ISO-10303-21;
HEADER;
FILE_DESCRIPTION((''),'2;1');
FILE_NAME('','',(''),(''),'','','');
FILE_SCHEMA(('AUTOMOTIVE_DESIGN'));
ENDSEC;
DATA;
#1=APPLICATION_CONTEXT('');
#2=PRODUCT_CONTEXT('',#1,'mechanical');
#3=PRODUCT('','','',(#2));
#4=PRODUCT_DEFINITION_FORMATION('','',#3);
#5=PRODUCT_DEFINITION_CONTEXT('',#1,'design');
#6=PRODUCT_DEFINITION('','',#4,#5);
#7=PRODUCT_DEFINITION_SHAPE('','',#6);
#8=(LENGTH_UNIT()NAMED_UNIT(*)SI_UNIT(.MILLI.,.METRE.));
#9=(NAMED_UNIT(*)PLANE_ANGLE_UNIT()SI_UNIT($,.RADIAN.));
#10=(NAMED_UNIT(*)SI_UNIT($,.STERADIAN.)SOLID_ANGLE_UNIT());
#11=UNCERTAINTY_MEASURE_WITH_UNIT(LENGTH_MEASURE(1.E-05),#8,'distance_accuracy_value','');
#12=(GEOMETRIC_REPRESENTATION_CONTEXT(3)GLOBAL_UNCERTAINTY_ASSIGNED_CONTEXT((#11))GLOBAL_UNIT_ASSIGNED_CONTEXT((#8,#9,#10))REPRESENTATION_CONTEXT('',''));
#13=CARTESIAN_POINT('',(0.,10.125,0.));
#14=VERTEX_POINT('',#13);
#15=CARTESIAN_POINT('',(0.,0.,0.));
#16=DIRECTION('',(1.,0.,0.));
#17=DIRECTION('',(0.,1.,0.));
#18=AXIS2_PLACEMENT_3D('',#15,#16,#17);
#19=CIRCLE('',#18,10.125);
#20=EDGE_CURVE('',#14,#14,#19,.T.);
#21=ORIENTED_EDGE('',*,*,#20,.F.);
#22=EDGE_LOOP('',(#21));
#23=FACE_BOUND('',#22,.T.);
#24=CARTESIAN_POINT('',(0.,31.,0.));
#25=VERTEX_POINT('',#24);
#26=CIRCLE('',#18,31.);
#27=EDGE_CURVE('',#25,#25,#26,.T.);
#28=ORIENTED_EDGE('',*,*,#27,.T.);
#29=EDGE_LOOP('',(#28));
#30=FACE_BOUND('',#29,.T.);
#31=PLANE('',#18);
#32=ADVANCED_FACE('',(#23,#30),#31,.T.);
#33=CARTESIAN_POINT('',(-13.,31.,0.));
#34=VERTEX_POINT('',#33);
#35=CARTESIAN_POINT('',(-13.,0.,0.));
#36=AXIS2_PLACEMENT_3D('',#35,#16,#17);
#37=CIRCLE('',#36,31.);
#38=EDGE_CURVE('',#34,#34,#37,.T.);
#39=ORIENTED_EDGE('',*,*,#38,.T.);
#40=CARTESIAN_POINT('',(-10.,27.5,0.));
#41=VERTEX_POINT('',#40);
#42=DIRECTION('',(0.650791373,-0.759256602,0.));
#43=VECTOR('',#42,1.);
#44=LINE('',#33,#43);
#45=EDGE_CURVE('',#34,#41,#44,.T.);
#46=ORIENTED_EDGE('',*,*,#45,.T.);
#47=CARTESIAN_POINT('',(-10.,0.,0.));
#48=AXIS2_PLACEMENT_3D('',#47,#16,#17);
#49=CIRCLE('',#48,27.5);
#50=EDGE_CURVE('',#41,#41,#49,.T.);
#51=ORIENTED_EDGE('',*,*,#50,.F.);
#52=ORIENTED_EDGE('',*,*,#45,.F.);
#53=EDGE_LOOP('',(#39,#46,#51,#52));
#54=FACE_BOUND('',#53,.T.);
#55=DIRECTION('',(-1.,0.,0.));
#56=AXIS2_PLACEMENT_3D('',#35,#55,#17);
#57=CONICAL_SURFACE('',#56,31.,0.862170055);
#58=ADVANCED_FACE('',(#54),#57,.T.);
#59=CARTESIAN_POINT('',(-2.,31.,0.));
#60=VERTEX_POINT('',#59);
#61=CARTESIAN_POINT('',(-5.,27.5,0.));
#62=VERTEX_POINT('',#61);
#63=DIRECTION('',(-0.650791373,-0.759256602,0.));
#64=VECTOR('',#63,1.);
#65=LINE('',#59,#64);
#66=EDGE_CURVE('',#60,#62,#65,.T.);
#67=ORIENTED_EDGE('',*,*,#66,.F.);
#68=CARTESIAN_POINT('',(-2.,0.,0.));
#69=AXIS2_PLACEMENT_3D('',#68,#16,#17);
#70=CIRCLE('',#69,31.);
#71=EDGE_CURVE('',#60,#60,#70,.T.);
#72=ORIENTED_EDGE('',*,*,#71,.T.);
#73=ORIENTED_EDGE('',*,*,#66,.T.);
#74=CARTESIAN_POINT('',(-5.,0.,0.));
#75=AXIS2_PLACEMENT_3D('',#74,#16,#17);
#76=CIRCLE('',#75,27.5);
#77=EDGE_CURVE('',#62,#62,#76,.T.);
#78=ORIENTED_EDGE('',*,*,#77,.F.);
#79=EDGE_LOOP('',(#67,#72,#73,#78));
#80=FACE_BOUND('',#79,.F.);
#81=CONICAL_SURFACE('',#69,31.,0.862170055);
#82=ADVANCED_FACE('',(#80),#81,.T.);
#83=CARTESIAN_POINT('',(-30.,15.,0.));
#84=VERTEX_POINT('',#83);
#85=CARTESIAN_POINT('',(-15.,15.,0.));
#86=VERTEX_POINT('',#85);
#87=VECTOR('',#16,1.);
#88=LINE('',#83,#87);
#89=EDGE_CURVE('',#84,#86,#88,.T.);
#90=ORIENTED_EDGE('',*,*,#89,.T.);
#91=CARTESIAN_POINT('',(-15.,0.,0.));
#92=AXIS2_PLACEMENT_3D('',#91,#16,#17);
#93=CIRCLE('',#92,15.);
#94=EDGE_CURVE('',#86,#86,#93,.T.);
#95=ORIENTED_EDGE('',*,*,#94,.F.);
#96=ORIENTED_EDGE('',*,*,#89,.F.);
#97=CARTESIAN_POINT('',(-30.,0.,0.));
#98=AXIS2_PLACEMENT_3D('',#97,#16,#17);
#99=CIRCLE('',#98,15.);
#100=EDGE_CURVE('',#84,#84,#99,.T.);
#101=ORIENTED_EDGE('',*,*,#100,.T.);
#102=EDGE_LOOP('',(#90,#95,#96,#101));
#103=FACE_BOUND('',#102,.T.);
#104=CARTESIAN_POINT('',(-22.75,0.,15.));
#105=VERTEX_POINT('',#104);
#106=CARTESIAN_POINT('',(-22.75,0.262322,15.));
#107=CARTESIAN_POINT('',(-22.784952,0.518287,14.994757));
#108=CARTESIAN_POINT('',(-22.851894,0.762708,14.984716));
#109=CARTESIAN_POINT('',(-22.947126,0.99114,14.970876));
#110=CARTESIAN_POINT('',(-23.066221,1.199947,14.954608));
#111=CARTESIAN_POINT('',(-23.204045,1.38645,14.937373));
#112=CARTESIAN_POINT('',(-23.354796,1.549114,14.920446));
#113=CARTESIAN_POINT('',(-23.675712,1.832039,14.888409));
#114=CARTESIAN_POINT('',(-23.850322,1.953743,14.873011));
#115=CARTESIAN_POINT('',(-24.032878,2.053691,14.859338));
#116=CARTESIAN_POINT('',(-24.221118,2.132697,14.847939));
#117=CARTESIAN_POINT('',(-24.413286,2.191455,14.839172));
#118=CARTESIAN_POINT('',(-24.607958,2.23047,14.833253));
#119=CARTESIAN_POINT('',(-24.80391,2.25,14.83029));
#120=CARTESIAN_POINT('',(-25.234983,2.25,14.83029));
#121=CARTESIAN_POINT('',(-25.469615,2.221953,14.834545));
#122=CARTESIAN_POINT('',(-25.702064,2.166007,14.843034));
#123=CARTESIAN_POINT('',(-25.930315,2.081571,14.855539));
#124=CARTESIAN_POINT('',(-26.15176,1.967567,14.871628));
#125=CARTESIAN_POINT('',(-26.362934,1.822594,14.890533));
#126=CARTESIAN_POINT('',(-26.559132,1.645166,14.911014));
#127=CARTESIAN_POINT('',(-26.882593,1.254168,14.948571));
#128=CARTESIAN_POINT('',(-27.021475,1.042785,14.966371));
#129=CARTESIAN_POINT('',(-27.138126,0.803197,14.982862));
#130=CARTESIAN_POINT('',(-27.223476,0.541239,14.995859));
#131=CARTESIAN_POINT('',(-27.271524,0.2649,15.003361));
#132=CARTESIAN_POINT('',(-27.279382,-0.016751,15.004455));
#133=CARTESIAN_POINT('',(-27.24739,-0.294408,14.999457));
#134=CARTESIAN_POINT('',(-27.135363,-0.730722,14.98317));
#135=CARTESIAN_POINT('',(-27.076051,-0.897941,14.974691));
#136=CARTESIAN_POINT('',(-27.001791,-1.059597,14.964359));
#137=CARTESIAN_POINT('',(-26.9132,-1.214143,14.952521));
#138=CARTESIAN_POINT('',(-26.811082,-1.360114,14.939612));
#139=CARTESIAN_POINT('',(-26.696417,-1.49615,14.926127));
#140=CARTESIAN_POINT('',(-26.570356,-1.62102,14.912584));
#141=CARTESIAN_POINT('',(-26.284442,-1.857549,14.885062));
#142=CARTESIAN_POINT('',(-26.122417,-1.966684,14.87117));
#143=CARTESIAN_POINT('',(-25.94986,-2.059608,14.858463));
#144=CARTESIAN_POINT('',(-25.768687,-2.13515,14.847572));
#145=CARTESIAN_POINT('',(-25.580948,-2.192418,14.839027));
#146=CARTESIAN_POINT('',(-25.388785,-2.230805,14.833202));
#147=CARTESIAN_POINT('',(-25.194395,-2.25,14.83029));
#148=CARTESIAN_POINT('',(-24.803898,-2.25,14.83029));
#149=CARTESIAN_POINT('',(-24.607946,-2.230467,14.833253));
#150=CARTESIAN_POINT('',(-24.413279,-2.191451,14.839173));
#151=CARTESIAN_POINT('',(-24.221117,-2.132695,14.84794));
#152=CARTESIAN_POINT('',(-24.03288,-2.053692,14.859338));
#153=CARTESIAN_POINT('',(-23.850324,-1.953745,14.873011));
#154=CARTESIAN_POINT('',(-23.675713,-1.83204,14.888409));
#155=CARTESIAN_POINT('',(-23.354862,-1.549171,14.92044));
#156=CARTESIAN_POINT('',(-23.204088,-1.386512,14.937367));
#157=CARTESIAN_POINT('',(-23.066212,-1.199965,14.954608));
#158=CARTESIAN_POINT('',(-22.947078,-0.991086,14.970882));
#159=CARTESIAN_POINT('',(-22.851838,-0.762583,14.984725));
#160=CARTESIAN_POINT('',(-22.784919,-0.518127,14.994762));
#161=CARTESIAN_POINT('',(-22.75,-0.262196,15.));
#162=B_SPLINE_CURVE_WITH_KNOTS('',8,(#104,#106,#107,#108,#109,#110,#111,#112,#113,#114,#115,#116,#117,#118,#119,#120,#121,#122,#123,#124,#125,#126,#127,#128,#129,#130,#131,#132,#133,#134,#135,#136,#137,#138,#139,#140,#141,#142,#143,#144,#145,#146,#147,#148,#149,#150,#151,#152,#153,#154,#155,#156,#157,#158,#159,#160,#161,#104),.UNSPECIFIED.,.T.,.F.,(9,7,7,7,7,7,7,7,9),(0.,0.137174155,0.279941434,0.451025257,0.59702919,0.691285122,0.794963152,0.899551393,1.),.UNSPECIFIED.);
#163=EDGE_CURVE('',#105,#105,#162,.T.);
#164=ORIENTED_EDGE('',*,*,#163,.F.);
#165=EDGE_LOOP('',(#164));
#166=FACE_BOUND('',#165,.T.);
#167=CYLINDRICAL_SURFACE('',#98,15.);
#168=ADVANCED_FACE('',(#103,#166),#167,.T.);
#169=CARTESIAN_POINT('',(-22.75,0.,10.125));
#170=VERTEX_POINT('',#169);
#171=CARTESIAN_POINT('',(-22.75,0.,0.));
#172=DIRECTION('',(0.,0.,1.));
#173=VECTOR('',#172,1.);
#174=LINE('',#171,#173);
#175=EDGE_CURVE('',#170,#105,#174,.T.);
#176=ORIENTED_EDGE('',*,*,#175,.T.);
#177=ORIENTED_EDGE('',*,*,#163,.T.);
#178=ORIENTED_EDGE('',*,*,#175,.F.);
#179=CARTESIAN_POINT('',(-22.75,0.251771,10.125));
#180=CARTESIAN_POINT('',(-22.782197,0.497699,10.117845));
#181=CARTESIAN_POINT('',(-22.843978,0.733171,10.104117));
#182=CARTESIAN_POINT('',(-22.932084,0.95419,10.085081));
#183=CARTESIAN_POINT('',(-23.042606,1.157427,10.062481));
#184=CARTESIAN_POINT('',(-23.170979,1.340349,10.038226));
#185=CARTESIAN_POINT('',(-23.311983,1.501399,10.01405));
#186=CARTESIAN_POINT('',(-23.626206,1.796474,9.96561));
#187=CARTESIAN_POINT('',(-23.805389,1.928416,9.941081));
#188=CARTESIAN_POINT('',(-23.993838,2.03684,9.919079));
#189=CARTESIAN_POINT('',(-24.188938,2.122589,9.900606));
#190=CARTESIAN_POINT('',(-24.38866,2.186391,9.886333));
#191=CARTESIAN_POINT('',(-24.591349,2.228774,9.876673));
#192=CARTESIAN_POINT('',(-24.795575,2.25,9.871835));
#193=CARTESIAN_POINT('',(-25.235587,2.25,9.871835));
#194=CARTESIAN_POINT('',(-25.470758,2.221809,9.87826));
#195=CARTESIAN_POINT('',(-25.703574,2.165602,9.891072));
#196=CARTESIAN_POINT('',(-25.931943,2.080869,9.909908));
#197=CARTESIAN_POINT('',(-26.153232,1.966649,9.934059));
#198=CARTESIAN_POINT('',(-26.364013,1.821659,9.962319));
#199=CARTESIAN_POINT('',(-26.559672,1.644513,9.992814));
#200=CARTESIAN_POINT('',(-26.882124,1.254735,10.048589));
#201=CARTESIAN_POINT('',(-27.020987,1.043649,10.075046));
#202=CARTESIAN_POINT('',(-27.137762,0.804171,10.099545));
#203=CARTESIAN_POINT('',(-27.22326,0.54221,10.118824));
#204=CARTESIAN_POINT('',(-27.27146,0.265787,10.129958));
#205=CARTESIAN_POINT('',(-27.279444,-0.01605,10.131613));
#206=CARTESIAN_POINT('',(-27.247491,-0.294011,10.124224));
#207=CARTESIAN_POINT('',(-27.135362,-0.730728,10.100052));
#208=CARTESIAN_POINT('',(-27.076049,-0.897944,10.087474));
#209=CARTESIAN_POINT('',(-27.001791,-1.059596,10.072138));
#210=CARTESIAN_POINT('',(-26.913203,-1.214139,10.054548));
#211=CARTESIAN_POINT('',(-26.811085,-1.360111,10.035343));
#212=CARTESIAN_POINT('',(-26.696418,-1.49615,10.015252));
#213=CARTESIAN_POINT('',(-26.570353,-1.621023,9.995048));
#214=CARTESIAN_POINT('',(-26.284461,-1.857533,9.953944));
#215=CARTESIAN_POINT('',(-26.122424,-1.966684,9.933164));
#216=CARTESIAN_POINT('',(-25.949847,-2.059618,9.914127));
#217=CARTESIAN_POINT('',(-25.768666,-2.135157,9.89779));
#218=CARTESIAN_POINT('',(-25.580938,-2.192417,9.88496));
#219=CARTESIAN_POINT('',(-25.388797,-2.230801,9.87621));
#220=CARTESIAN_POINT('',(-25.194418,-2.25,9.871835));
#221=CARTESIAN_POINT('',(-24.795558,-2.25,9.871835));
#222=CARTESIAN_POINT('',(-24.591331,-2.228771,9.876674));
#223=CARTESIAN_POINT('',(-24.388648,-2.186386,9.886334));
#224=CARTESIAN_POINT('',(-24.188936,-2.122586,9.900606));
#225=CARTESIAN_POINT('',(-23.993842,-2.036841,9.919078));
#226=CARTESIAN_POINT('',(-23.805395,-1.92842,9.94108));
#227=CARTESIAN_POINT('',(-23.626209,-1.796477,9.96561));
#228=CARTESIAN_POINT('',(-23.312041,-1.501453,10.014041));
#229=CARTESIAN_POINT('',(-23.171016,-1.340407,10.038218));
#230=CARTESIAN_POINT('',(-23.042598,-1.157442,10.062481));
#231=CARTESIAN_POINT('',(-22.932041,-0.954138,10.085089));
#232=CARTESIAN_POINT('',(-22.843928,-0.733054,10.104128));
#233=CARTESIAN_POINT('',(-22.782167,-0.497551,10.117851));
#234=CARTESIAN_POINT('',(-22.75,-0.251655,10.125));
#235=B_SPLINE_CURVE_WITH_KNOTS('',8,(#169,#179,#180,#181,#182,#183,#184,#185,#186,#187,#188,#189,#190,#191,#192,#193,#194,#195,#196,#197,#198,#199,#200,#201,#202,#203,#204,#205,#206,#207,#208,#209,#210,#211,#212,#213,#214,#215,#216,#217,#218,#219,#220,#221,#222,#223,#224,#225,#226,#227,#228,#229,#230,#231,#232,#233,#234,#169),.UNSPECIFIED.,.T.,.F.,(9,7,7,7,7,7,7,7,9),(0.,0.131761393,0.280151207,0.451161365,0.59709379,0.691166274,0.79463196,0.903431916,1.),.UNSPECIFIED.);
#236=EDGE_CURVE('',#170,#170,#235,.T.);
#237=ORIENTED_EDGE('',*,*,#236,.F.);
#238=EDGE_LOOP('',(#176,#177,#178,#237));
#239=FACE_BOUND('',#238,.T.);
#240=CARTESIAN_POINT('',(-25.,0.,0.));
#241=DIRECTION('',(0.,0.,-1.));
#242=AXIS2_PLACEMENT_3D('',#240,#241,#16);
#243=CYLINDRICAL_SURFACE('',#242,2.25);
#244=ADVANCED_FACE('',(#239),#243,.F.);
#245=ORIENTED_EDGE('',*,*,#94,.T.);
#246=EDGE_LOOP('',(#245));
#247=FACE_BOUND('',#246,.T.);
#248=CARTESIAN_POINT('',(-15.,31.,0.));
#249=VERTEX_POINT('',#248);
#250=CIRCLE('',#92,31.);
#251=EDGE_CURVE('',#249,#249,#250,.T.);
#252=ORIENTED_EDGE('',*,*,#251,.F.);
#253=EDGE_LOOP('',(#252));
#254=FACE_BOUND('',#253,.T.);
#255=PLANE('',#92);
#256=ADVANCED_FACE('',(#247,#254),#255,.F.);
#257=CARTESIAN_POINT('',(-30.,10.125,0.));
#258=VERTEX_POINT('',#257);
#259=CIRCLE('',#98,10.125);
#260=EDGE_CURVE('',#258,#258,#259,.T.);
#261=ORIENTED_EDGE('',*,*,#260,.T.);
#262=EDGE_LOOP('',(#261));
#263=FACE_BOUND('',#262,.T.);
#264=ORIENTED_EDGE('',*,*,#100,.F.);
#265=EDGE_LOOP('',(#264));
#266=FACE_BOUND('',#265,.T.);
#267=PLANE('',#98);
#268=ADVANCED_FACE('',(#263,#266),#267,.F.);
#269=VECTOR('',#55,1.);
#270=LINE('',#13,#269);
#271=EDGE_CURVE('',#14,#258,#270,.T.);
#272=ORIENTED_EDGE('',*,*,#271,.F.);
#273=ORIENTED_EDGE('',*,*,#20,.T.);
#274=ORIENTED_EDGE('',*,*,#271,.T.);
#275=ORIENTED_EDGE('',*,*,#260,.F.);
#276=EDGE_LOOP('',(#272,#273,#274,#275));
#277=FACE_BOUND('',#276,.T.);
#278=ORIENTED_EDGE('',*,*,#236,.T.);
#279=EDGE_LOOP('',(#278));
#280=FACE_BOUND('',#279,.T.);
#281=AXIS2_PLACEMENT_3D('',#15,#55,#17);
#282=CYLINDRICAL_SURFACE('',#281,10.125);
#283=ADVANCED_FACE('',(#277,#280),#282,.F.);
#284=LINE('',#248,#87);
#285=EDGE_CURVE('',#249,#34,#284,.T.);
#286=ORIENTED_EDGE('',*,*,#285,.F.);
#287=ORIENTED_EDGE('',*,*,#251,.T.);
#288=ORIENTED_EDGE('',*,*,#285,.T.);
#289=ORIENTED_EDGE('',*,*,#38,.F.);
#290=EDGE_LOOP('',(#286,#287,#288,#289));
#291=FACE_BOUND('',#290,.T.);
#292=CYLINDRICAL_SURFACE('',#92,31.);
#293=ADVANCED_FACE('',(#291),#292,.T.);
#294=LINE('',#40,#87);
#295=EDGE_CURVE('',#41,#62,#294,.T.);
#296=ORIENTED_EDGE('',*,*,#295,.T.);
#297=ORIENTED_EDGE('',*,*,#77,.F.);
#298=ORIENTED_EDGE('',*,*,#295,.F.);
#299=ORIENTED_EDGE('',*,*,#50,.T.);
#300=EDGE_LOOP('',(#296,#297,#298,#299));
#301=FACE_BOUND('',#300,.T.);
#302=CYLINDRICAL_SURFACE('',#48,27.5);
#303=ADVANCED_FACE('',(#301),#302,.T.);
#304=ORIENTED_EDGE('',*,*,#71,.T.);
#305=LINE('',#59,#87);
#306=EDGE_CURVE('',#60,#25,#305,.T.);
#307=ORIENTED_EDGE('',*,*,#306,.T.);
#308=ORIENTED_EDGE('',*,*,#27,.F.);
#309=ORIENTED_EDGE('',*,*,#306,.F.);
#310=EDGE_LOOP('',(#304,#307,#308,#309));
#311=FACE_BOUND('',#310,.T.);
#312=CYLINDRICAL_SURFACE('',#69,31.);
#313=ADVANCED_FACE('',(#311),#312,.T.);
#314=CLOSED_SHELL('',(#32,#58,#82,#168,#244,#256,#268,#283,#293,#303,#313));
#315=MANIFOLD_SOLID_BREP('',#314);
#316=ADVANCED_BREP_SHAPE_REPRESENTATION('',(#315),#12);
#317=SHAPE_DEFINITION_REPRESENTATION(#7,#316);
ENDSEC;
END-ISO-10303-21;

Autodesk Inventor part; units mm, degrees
ref_plane "YZ Plane" through (0, 0, 0) normal (1, 0, 0) x (0, 1, 0)
ref_plane "XZ Plane" through (0, 0, 0) normal (0, 1, 0) x (-1, 0, 0)
ref_plane "XY Plane" through (0, 0, 0) normal (0, 0, 1) x (1, 0, 0)
sketch "Boceto1" plane through (0, 0, 0) normal (0, 0, 1) x (1, 0, 0)
  line L0 (-24.1261, 0) -> (26.0802, 0) construction
  line L1 (0, 10.125) -> (-30, 10.125)
  line L2 (-30, 10.125) -> (-30, 15)
  line L3 (-30, 15) -> (-15, 15)
  line L4 (-15, 15) -> (-15, 31)
  line L5 (0, 31) -> (0, 10.125)
  line L6 (-15, 31) -> (-13, 31)
  line L7 (-13, 31) -> (-10, 27.5)
  line L8 (-10, 27.5) -> (-5, 27.5)
  line L9 (-2, 31) -> (0, 31)
  line L10 (-2, 31) -> (-5, 27.5)
  line L11 (-7.5, 27.5) -> (-7.5, 0) construction
  point P0 (0, 0)
  point P1 (0, 20.5625)
  dimension "d0" = 27.5
  dimension "d1" = 31
  dimension "d2" = 10.125
  dimension "d3" = 15
  dimension "d4" = 15
  dimension "d5" = 2
  dimension "d6" = 2
  dimension "d7" = 5
  dimension "d8" = 7.5
  dimension "d9" = 15
revolve "Revolución1" add sketch "Boceto1" angle 360 about axis through (-24.1261, 0, 0) along (1, 0, 0)
sketch "Sketch2" plane through (0, 0, 0) normal (0, 0, 1) x (1, 0, 0)
  circle A0 centre (-25, 0) radius 2.25
  point P0 (0, 0)
  dimension "d11" = 4.5
  dimension "d12" = 25
extrude "Extrusion1" cut sketch "Sketch2" along normal blind 34.25
properties part number "PoleaBrazos"
